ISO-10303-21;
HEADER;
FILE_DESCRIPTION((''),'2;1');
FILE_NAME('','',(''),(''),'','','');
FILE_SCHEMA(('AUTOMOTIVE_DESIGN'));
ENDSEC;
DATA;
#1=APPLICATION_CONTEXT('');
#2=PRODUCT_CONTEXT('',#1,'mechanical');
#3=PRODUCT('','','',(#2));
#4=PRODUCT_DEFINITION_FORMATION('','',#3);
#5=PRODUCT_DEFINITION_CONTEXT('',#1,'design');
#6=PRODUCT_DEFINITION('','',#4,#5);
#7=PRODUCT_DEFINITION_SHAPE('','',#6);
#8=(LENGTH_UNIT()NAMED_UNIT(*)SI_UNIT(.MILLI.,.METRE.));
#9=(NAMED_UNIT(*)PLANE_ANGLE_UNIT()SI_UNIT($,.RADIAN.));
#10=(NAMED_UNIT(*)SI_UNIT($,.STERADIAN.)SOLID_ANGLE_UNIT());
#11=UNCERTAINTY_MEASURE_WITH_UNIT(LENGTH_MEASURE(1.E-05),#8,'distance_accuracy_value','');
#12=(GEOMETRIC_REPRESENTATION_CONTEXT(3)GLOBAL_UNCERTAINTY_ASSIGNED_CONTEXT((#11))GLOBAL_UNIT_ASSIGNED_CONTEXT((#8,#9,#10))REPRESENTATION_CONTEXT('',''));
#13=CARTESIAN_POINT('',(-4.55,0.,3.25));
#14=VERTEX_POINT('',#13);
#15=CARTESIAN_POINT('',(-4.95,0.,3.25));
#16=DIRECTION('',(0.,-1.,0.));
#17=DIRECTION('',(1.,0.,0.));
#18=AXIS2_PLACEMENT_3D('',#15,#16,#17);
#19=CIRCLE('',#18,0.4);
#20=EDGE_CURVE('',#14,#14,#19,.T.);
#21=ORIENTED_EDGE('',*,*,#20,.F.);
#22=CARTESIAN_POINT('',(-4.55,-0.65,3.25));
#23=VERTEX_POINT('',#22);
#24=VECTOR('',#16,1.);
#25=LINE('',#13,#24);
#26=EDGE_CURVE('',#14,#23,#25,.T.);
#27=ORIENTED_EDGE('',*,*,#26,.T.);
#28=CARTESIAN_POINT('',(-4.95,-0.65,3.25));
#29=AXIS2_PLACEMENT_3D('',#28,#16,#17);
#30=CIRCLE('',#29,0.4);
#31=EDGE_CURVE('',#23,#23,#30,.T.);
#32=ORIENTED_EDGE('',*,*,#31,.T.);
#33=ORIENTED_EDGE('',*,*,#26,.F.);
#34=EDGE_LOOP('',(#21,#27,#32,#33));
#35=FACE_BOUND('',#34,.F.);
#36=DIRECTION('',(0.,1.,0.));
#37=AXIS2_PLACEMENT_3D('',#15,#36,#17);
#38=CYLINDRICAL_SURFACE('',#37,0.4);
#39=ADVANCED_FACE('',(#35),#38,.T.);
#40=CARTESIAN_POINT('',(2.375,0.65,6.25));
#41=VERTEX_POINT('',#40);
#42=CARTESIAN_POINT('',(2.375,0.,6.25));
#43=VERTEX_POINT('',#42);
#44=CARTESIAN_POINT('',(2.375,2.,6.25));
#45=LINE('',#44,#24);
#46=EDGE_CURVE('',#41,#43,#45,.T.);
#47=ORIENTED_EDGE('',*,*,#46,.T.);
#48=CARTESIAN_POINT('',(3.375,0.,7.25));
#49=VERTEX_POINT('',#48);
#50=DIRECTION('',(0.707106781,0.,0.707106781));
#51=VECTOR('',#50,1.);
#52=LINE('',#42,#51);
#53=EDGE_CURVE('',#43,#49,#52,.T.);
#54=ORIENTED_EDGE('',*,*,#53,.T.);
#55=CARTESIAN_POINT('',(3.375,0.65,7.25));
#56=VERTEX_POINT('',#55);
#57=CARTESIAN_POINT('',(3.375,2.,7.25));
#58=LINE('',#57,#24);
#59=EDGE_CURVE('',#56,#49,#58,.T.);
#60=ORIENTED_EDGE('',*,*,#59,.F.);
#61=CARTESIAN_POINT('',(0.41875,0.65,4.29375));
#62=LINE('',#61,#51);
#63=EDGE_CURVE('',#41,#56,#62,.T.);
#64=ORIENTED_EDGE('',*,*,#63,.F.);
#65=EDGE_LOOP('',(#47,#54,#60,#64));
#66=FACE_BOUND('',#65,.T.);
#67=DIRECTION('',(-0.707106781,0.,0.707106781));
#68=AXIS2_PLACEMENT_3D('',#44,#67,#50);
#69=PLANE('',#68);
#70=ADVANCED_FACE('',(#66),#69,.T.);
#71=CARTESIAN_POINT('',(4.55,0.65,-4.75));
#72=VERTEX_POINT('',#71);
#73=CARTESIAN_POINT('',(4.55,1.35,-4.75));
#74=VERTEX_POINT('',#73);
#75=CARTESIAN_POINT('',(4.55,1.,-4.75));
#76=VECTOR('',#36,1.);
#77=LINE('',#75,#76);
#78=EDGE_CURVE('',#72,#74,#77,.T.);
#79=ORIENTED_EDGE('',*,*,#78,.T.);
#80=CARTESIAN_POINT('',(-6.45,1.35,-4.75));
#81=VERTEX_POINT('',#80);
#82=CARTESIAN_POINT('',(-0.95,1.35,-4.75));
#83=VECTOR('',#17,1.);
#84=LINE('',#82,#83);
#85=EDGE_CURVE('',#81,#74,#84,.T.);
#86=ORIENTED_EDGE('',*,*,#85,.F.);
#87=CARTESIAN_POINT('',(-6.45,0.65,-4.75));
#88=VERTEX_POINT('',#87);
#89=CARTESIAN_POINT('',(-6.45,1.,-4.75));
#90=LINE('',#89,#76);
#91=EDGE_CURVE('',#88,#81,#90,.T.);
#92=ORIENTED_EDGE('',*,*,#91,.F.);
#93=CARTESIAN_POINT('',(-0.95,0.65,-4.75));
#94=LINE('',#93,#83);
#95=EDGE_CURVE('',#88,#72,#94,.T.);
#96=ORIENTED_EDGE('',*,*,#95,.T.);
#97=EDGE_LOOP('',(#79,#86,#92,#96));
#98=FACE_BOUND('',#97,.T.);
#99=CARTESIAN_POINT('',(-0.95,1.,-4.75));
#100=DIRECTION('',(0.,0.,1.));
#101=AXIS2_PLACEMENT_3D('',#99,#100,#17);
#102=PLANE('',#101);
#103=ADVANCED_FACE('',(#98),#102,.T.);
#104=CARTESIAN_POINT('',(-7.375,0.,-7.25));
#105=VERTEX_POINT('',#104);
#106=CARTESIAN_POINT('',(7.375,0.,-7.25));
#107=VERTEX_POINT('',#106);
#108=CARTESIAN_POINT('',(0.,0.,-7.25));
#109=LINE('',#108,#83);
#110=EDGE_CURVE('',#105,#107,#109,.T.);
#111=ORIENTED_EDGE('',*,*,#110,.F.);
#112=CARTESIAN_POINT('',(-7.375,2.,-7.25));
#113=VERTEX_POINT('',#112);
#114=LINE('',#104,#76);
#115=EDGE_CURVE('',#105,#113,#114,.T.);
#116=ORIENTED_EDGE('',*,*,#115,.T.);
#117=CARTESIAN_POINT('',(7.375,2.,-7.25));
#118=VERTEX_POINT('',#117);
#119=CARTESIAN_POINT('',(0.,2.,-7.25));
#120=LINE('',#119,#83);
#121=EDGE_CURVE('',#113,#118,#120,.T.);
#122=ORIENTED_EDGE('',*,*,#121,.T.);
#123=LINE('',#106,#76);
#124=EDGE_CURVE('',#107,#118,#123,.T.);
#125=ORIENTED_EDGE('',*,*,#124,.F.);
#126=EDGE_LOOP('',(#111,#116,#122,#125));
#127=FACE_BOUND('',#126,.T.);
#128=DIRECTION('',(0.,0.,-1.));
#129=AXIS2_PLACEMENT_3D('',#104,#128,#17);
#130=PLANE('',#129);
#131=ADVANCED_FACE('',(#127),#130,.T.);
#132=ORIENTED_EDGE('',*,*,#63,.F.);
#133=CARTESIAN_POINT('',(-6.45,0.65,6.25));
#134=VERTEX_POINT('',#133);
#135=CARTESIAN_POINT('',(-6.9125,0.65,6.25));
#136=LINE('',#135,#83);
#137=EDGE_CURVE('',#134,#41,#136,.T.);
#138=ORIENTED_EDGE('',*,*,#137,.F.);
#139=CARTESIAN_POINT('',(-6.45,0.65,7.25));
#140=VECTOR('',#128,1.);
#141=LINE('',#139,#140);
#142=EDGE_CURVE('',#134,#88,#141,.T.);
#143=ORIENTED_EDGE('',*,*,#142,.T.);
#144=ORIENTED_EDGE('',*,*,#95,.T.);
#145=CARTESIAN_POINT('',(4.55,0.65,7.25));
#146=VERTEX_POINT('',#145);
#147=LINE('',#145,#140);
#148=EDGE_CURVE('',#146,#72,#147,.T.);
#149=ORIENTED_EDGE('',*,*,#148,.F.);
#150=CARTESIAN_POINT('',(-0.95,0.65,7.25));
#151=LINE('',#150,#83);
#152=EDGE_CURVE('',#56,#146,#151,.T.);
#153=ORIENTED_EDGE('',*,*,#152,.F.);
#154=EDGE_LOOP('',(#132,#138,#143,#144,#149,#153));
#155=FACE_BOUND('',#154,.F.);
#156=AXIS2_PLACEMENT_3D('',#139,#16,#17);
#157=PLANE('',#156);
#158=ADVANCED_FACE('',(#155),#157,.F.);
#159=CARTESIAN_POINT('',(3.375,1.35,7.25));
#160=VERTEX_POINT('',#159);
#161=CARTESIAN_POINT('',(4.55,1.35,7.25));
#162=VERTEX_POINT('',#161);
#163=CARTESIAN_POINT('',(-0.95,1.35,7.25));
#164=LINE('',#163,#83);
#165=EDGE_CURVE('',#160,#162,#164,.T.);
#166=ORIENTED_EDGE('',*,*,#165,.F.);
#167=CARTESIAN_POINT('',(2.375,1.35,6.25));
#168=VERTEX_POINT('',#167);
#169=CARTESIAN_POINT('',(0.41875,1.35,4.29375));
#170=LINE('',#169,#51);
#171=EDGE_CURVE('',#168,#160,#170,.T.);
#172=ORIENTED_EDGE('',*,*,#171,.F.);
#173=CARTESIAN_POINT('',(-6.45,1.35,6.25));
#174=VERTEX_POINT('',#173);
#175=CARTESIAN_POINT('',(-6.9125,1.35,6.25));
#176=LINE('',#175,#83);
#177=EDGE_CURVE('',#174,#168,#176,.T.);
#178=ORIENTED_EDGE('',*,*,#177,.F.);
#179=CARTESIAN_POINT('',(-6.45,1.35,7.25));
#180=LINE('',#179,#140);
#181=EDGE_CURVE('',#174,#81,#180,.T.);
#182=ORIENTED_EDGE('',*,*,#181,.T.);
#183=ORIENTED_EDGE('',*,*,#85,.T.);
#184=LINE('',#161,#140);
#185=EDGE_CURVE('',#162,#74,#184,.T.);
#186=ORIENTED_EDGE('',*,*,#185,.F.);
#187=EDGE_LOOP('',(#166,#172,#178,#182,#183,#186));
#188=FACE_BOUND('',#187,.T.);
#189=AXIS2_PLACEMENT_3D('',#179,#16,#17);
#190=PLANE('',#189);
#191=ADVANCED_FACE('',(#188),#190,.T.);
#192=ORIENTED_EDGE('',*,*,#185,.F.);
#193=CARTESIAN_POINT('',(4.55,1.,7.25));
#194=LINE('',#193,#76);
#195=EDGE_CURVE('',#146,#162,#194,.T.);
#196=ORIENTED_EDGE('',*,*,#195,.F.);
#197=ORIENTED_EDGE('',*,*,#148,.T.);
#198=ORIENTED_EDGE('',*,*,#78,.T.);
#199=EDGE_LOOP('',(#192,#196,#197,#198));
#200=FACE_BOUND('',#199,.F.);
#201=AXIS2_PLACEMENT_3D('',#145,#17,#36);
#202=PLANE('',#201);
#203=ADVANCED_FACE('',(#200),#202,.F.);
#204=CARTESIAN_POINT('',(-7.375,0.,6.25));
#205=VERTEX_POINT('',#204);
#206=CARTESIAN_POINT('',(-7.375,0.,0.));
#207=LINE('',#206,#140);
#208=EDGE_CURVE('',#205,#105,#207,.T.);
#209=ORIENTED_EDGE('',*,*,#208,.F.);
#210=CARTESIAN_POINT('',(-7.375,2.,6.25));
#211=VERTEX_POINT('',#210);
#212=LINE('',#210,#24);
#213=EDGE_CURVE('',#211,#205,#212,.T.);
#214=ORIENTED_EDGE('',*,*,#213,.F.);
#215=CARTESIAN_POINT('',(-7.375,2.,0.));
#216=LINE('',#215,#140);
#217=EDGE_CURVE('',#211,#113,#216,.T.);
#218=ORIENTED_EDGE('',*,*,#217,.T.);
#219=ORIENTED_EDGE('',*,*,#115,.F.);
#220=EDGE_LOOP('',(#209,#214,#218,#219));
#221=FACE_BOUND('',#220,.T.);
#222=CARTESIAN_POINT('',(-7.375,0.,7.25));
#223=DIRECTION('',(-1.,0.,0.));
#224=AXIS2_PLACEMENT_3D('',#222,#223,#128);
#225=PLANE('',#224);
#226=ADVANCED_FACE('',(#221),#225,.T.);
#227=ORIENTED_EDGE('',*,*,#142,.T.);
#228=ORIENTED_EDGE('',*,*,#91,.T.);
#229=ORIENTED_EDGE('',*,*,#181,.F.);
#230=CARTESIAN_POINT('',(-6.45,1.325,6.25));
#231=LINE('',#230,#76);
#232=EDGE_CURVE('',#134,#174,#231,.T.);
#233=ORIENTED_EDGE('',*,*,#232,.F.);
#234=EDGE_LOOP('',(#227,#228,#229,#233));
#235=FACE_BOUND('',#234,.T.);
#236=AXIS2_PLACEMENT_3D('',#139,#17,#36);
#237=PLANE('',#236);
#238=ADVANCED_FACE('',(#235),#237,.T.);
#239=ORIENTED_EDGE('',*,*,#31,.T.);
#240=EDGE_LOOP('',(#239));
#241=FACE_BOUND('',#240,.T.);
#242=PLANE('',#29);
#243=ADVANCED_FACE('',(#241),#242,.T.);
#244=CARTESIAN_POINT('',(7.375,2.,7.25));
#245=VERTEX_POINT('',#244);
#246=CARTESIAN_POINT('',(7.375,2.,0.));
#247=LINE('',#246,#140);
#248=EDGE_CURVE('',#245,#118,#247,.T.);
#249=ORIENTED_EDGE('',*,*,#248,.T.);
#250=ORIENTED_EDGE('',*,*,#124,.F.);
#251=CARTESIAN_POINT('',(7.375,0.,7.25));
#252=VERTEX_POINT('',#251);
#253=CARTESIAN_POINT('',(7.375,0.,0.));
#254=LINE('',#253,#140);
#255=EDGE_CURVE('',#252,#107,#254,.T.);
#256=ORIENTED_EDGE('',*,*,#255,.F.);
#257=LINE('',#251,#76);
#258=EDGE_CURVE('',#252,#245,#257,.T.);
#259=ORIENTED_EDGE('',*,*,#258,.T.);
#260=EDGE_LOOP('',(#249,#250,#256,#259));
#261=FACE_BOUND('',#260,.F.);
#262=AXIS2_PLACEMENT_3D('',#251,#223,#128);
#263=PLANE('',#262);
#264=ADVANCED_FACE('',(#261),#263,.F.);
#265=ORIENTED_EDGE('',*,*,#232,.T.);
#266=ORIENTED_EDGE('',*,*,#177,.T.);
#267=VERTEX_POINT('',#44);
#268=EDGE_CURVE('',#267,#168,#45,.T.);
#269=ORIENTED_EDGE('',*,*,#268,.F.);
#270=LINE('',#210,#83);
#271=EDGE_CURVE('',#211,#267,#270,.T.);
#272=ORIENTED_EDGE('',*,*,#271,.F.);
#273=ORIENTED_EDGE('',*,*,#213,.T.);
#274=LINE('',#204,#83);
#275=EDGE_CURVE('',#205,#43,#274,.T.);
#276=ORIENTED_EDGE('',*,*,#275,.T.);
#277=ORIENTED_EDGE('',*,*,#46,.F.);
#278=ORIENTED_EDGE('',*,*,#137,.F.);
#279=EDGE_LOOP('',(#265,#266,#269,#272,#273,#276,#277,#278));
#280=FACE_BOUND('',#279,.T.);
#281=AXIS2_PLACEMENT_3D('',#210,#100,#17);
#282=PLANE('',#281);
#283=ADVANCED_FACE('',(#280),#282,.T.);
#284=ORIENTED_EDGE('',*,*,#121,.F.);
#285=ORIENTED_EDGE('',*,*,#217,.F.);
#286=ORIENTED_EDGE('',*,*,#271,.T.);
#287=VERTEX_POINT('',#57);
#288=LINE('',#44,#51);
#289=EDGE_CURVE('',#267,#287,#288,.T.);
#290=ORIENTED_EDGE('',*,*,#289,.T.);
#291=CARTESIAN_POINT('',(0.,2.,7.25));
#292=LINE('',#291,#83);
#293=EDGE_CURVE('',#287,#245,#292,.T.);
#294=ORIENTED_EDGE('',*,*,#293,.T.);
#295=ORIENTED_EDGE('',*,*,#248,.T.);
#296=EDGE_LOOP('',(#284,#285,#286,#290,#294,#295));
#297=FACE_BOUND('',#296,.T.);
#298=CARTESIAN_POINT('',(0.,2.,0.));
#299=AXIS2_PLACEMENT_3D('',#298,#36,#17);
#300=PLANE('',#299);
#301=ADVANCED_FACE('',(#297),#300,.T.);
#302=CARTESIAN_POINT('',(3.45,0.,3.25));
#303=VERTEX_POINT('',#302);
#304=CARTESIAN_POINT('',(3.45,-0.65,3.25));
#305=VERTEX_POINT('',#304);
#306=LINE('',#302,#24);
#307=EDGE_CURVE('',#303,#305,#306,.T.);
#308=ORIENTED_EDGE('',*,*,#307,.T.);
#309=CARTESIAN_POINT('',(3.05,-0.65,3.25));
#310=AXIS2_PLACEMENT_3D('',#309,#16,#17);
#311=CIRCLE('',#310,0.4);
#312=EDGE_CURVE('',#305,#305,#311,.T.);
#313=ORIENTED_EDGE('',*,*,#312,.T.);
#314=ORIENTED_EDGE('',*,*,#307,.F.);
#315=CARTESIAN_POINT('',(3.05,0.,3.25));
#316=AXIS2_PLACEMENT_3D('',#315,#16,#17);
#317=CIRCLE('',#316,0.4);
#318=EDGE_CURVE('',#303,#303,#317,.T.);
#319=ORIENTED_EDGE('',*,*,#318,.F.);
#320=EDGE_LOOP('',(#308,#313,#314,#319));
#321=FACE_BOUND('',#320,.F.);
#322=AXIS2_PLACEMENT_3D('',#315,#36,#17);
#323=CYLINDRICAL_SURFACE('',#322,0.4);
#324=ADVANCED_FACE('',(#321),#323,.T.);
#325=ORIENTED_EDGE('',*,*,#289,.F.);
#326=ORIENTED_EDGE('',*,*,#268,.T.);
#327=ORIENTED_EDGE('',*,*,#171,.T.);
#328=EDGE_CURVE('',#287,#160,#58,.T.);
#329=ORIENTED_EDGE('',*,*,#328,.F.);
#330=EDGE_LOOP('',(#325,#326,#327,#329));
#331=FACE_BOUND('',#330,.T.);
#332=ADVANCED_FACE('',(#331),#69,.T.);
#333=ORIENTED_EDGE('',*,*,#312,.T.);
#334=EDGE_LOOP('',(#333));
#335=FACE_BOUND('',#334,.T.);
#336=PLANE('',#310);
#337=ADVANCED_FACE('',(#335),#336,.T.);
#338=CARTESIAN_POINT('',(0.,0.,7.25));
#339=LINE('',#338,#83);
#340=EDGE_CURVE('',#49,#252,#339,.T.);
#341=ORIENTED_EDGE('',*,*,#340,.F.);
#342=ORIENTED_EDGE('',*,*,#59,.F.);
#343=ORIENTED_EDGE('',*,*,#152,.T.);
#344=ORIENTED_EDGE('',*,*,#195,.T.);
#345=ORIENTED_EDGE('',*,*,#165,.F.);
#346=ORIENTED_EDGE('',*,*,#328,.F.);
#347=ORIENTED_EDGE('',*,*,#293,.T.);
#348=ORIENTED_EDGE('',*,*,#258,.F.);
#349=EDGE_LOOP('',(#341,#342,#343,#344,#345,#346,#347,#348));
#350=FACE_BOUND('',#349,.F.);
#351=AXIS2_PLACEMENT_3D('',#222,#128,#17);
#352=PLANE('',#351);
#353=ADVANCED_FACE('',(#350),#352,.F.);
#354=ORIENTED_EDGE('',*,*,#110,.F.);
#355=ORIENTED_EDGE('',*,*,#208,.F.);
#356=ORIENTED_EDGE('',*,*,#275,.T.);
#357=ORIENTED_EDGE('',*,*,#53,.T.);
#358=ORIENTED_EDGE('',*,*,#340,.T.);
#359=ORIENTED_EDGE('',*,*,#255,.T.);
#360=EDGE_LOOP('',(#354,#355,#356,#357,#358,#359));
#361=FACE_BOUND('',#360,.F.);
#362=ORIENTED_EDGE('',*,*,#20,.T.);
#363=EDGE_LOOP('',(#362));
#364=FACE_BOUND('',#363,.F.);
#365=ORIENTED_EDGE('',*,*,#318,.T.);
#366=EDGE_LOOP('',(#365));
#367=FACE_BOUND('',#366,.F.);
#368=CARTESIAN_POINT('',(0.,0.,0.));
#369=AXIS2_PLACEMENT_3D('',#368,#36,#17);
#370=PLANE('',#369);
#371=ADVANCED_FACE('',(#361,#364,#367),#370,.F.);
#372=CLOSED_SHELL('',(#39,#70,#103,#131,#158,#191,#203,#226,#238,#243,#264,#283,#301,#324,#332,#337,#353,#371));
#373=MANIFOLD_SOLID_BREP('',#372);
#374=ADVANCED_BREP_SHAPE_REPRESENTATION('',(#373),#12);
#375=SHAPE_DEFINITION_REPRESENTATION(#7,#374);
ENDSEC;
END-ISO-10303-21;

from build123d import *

# Parameters (mm, degrees)
SKETCH1_W           = 14.75
SKETCH1_H           = 14.5
BOSS_EXTRUDE1_DEPTH = 2
CUT_EXTRUDE1_DEPTH  = 2
SKETCH3_W           = 11
SKETCH3_H           = 0.7
CUT_EXTRUDE2_DEPTH  = 12
SKETCH4_R           = 0.4
BOSS_EXTRUDE2_DEPTH = 0.65


with BuildPart() as part:
    # Sketch1 → Boss-Extrude1 (new body)
    with BuildSketch(Plane(origin=(0, 0, 0), x_dir=(1, 0, 0), z_dir=(0, 1, 0))):
        Rectangle(SKETCH1_W, SKETCH1_H)
    extrude(amount=BOSS_EXTRUDE1_DEPTH)

    # Sketch2 → Cut-Extrude1 (cut)
    with BuildSketch(Plane(origin=(0, 2, 0), x_dir=(1, 0, 0), z_dir=(0, 1, 0))):
        Polygon((-7.375, -6.25), (2.375, -6.25), (3.375, -7.25), (-7.375, -7.25), align=None)
    extrude(amount=-CUT_EXTRUDE1_DEPTH, mode=Mode.SUBTRACT)

    # Sketch3 → Cut-Extrude2 (cut)
    with BuildSketch(Plane.XY.offset(7.25)):
        with Locations((-0.95, 1)):
            Rectangle(SKETCH3_W, SKETCH3_H)
    extrude(amount=-CUT_EXTRUDE2_DEPTH, mode=Mode.SUBTRACT)

    # Sketch4 → Boss-Extrude2 (add)
    with BuildSketch(Plane.XZ):
        with Locations((-4.95, 3.25)):
            Circle(SKETCH4_R)
        with Locations((3.05, 3.25)):
            Circle(SKETCH4_R)
    extrude(amount=BOSS_EXTRUDE2_DEPTH)


solid = part.part
